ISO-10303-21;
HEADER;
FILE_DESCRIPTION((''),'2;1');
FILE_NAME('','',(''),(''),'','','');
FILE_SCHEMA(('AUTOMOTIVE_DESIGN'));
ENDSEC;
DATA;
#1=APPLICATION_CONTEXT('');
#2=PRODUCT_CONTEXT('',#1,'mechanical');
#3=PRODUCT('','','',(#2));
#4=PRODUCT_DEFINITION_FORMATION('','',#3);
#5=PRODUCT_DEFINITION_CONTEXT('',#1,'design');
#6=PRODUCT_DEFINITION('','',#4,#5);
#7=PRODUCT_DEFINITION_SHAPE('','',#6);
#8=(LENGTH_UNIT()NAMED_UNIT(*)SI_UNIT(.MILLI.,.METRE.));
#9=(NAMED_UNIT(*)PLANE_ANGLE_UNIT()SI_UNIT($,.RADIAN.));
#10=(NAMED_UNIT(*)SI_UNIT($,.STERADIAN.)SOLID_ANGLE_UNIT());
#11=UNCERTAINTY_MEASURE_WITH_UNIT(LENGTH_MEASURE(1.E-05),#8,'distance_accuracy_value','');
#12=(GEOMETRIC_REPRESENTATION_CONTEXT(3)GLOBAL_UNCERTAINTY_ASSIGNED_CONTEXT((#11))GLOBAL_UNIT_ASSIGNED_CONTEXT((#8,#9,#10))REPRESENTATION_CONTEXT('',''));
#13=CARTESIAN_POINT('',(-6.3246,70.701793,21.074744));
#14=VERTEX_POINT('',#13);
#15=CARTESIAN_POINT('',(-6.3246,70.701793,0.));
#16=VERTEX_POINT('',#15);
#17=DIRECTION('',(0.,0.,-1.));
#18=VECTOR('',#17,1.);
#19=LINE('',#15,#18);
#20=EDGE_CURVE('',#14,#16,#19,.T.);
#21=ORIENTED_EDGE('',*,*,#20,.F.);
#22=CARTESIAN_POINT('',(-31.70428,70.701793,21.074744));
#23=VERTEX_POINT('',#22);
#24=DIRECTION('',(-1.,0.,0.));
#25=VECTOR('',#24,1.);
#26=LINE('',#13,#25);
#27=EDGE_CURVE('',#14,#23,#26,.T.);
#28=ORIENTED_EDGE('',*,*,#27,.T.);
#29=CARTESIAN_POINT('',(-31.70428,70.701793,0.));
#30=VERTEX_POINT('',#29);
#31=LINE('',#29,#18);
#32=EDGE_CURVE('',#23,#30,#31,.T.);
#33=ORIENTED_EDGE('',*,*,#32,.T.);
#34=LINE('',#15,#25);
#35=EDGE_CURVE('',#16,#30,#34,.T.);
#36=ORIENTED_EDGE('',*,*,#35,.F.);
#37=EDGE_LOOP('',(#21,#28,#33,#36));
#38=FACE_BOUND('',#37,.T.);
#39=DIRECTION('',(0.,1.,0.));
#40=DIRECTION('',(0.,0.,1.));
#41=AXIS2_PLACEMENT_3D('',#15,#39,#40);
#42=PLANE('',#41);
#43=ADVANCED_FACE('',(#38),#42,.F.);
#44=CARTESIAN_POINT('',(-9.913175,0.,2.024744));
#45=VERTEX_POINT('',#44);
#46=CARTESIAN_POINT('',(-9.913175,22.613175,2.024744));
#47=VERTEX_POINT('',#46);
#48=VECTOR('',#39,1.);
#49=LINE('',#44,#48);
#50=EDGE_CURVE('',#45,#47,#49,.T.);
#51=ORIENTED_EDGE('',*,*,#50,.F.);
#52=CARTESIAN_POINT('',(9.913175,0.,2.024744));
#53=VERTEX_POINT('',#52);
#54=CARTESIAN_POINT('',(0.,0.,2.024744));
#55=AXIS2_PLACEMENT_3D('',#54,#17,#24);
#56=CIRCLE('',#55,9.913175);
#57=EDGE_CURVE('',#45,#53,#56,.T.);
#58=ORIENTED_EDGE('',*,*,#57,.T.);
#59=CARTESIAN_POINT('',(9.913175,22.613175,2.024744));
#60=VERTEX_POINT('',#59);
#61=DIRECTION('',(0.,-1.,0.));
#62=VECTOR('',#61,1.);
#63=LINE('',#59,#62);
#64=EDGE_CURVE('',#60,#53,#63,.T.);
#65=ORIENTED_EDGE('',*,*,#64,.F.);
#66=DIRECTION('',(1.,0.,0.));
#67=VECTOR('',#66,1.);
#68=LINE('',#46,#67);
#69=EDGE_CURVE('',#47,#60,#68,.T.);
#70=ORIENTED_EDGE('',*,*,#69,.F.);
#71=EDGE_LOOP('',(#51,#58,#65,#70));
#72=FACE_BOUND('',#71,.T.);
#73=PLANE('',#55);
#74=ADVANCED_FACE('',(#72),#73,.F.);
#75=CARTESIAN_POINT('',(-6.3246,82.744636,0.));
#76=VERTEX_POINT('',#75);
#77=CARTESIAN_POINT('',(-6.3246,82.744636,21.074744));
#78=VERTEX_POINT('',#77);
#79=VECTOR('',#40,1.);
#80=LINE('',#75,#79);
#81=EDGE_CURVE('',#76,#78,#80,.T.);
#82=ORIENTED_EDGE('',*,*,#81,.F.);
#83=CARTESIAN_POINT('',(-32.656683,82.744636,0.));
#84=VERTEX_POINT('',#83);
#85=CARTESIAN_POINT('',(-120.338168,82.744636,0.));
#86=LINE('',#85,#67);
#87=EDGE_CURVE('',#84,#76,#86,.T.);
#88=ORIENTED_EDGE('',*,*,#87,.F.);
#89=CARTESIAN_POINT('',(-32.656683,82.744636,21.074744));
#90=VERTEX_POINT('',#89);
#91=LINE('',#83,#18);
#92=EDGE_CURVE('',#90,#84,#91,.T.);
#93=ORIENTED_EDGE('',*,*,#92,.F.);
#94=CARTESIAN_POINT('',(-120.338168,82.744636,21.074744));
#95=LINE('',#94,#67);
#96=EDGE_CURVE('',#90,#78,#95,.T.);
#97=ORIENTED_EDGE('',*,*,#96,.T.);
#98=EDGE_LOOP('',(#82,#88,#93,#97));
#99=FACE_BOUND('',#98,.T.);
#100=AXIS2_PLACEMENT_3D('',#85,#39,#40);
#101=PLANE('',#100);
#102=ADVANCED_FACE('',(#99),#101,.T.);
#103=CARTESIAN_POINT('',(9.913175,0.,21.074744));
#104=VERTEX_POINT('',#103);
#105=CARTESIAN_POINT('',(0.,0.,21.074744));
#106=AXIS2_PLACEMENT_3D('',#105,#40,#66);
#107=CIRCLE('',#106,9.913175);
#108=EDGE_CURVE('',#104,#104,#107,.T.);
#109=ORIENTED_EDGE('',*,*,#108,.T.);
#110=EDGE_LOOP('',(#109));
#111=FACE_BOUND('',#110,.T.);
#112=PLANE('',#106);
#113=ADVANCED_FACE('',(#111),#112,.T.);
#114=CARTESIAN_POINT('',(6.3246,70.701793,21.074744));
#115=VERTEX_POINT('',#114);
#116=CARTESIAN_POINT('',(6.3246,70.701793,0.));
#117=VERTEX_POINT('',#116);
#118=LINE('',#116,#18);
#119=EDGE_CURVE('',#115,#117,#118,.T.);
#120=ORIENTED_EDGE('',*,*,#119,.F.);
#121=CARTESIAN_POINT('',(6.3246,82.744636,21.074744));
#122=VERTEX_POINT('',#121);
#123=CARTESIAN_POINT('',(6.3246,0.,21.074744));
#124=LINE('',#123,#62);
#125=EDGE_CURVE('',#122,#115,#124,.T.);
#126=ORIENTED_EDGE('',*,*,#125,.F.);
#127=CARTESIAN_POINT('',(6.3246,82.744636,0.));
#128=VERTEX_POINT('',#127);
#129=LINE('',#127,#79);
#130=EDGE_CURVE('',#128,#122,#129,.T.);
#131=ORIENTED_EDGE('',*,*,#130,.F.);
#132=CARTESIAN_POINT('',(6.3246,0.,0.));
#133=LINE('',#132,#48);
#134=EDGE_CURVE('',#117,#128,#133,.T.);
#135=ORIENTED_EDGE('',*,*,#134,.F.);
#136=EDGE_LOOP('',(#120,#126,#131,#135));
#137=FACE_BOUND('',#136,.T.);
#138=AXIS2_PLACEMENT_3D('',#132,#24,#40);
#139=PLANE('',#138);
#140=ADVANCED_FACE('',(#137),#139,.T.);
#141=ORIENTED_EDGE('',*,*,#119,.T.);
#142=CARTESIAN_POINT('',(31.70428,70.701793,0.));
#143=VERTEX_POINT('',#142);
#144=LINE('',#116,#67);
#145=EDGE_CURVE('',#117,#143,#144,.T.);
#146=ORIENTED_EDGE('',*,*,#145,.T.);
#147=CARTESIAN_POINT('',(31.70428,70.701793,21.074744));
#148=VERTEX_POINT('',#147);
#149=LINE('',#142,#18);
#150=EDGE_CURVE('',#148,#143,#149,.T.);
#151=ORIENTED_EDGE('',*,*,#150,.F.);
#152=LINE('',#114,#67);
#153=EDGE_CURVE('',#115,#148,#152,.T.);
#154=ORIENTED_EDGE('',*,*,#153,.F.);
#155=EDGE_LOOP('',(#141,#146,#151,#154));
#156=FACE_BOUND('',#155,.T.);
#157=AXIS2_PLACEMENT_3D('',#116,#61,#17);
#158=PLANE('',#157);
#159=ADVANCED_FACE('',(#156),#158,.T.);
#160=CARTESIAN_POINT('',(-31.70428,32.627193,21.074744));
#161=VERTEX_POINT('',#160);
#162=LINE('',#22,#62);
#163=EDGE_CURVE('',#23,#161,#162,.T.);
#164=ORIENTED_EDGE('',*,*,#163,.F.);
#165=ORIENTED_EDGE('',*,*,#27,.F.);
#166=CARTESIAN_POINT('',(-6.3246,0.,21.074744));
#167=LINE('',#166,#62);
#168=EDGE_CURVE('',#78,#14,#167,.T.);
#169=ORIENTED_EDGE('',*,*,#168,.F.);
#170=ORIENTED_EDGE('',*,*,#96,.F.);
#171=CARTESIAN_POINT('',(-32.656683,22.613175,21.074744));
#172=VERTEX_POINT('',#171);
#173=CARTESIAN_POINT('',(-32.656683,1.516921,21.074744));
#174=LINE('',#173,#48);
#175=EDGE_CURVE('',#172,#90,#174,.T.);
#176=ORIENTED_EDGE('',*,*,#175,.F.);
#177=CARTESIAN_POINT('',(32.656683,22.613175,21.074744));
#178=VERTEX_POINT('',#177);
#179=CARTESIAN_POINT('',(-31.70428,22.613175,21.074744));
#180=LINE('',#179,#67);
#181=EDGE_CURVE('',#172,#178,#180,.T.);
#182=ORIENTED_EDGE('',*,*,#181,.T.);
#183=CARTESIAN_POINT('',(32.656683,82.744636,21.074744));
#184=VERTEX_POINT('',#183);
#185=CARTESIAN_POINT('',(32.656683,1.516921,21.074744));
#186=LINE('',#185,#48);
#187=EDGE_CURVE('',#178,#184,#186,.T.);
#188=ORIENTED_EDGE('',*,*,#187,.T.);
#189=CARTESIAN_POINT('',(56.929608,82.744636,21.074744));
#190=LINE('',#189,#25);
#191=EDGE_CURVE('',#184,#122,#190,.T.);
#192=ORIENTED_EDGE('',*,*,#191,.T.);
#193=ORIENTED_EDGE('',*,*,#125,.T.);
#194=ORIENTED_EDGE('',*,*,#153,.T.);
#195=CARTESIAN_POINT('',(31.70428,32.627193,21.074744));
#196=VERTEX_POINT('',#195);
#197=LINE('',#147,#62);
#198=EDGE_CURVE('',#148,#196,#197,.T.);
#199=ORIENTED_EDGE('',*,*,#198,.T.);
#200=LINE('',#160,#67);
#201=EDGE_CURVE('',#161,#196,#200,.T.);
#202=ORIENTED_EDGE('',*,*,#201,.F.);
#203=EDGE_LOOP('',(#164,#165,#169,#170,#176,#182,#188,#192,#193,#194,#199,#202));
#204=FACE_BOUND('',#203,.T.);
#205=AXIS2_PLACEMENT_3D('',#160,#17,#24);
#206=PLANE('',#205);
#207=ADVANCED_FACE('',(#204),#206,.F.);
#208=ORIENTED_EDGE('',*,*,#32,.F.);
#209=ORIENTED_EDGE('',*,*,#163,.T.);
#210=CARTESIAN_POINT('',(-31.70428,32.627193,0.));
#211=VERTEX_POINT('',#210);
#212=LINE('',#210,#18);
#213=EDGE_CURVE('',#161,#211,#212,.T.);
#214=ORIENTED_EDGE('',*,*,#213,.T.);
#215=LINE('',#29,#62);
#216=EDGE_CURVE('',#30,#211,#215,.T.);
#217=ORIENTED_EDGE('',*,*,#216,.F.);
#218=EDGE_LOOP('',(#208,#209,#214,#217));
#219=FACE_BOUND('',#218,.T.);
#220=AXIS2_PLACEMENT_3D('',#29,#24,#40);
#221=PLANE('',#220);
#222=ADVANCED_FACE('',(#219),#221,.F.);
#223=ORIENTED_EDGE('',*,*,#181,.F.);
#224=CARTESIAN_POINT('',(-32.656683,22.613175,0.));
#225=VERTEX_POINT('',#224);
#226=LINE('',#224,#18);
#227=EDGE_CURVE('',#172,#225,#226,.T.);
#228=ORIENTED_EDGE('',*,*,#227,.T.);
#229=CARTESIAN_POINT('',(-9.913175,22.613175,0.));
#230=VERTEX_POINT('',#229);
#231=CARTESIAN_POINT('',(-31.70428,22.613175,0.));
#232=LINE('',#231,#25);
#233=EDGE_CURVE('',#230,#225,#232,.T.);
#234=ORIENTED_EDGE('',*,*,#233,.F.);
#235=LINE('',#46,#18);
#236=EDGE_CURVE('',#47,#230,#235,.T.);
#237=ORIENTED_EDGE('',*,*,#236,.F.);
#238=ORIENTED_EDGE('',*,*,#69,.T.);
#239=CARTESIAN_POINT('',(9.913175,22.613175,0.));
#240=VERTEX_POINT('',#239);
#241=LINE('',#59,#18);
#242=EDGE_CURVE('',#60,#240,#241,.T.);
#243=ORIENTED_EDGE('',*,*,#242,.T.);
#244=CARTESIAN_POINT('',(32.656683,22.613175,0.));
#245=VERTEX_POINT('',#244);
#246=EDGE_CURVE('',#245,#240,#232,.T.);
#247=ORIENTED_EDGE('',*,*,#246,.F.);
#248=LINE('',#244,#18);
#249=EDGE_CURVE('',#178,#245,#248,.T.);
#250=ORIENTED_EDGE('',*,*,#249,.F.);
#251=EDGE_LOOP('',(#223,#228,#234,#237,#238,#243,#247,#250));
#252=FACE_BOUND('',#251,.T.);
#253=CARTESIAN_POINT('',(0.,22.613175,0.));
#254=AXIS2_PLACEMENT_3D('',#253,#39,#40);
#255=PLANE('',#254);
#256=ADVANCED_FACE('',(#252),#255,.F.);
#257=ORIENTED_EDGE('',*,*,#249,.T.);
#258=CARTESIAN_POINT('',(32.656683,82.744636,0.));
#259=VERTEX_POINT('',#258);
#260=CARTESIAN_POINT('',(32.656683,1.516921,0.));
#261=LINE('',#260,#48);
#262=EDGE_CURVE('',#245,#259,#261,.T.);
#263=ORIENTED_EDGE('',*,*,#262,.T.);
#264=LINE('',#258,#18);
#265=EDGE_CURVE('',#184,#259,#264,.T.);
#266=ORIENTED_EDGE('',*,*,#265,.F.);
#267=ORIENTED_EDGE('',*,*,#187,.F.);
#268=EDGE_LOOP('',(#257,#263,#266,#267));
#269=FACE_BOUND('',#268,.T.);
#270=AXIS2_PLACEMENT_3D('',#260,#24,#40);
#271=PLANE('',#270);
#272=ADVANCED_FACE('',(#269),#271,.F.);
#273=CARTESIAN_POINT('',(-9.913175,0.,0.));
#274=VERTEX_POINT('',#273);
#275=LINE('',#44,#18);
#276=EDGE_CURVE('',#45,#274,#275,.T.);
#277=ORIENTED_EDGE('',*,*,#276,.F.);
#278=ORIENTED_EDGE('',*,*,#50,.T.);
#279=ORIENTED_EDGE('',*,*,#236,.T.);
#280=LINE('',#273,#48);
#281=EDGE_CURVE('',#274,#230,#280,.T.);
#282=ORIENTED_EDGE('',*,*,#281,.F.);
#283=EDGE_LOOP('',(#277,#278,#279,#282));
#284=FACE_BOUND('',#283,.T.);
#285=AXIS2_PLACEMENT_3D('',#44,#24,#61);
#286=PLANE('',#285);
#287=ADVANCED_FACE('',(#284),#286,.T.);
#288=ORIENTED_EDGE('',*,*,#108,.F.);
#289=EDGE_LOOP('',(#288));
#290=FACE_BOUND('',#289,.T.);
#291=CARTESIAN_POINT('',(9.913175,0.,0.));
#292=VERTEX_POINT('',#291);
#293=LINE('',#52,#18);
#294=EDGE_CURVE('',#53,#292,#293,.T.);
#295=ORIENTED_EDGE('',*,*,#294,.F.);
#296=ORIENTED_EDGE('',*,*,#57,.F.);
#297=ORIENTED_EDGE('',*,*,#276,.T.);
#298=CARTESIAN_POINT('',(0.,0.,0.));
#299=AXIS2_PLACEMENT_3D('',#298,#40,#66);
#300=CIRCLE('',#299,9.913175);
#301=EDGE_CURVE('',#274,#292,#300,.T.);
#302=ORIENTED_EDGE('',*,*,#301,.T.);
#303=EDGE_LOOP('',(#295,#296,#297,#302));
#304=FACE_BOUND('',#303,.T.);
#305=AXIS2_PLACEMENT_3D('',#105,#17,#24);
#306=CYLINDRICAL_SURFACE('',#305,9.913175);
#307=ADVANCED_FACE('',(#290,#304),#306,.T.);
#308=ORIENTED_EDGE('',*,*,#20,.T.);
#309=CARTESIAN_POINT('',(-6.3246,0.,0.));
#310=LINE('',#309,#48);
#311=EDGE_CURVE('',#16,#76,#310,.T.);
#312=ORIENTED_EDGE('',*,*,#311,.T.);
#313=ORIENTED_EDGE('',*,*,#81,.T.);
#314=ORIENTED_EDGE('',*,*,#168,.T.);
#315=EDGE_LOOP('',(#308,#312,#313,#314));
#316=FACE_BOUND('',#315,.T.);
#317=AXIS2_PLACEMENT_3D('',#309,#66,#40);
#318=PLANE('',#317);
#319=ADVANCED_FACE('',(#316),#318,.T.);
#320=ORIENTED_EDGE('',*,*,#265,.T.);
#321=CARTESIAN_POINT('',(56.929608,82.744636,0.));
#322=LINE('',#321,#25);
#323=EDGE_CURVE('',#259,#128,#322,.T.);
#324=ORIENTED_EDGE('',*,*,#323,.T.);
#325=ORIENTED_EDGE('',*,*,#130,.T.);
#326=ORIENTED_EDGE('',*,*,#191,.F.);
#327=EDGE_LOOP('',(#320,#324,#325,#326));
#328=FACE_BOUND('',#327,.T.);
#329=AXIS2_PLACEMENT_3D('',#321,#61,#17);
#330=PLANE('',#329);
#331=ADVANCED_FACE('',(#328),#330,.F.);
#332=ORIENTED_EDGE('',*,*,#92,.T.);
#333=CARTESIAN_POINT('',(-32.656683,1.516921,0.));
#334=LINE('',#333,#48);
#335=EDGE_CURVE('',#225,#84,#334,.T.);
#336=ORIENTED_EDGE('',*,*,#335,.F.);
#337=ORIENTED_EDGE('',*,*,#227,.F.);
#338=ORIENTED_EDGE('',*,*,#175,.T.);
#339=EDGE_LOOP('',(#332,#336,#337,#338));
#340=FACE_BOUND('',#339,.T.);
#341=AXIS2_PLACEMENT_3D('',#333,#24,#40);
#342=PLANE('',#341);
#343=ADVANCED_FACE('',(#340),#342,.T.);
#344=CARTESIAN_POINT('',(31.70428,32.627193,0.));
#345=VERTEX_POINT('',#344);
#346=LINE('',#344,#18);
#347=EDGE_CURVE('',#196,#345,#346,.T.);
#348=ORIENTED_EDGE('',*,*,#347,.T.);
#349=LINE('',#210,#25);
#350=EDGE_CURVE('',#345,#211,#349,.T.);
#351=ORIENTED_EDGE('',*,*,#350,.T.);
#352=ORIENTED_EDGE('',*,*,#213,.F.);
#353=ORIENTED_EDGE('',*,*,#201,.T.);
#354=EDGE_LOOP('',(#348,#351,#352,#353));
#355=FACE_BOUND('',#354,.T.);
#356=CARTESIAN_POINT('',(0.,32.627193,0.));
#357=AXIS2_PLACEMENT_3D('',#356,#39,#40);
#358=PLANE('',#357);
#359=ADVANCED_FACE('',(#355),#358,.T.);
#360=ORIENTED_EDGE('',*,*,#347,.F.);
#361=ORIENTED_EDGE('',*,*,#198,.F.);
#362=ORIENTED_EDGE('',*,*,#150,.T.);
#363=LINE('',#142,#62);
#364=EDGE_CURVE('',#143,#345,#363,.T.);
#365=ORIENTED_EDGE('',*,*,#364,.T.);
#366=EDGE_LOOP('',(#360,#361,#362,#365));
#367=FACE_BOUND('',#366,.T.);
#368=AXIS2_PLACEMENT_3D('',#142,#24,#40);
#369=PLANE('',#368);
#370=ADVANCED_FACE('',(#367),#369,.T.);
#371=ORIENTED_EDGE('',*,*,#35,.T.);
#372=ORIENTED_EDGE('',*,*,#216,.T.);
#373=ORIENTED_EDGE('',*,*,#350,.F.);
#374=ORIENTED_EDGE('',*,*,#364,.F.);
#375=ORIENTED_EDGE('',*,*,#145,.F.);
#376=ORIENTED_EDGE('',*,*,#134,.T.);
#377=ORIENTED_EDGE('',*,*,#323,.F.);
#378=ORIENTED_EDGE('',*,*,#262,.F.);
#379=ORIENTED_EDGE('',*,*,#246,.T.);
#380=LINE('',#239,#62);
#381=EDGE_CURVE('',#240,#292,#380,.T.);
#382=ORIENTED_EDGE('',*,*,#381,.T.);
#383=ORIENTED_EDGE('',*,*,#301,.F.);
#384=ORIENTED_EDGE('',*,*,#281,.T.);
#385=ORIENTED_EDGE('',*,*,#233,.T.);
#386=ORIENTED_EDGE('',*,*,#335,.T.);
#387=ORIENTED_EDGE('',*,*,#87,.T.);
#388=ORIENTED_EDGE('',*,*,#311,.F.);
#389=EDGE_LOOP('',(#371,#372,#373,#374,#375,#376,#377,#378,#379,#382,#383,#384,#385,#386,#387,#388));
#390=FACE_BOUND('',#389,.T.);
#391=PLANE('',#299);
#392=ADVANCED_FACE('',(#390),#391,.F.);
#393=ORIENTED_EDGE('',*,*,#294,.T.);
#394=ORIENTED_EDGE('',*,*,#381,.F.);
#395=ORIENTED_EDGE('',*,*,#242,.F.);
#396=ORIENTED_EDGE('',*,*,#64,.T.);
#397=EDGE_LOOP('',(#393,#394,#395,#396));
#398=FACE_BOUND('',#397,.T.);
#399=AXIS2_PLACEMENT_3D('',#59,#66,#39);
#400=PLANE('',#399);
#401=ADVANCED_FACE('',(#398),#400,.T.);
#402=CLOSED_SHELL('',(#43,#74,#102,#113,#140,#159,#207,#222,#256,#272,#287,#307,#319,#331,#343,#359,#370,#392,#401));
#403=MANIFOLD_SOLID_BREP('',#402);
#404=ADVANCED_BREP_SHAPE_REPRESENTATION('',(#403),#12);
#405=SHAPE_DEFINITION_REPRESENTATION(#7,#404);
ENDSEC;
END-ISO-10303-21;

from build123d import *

# Parameters (mm, degrees)
SKETCH1_R           = 9.913174659
BOSS_EXTRUDE1_DEPTH = 21.074744356
SKETCH2_W           = 19.826349318
SKETCH2_H           = 22.613174659
BOSS_EXTRUDE2_DEPTH = 2.024744356
SKETCH3_W           = 63.40856
SKETCH3_H           = 21.074744356
BOSS_EXTRUDE3_DEPTH = 10.014018179
SKETCH4_W           = 0.952402748
SKETCH4_H           = 21.074744356
BOSS_EXTRUDE4_DEPTH = 38.0746
SKETCH5_W           = 0.952402748
SKETCH5_H           = 21.074744356
BOSS_EXTRUDE5_DEPTH = 10.014018179
SKETCH6_W           = 21.074744356
SKETCH6_H           = 12.042842766
BOSS_EXTRUDE6_DEPTH = 25.37968
SKETCH6_3_W         = 21.074744356
SKETCH6_3_H         = 12.042842766
BOSS_EXTRUDE7_DEPTH = 0.952402748


with BuildPart() as part:
    # Sketch1 → Boss-Extrude1 (new body)
    with BuildSketch(Plane.XY):
        Circle(SKETCH1_R)
    extrude(amount=BOSS_EXTRUDE1_DEPTH)

    # Sketch2 → Boss-Extrude2 (add)
    with BuildSketch(Plane(origin=(0, 0, 0), x_dir=(-1, 0, 0), z_dir=(0, 0, -1))):
        with Locations((0, 11.30658733)):
            Rectangle(SKETCH2_W, SKETCH2_H)
    extrude(amount=-BOSS_EXTRUDE2_DEPTH)

    # Sketch3 → Boss-Extrude3 (add)
    with BuildSketch(Plane(origin=(0, 22.613174659, 0), x_dir=(1, 0, 0), z_dir=(0, 1, 0))):
        with Locations((0, -10.537372178)):
            Rectangle(SKETCH3_W, SKETCH3_H)
    extrude(amount=BOSS_EXTRUDE3_DEPTH)



with BuildPart() as body_2:
    # Sketch4 → Boss-Extrude4 (new body)
    with BuildSketch(Plane(origin=(0, 32.627192838, 0), x_dir=(1, 0, 0), z_dir=(0, 1, 0))):
        with Locations((32.180481374, -10.537372178)):
            Rectangle(SKETCH4_W, SKETCH4_H)
    boss_extrude4 = extrude(amount=BOSS_EXTRUDE4_DEPTH)


with BuildPart() as part_1:
    add(part.part)

    add(body_2.part)  # Boss-Extrude5 merges body 2
    # Sketch5 → Boss-Extrude5 (add)
    with BuildSketch(Plane.XZ.offset(-32.627192838)):
        with Locations((32.180481374, 10.537372178)):
            Rectangle(SKETCH5_W, SKETCH5_H)
    boss_extrude5 = extrude(amount=BOSS_EXTRUDE5_DEPTH)



with BuildPart() as body_2_2:
    # Sketch6 → Boss-Extrude6 (new body)
    with BuildSketch(Plane.ZY.offset(-31.70428)):
        with Locations((10.537372178, 76.723214221)):
            Rectangle(SKETCH6_W, SKETCH6_H)
    boss_extrude6 = extrude(amount=BOSS_EXTRUDE6_DEPTH)


with BuildPart() as part_2:
    add(part_1.part)

    add(body_2_2.part)  # Boss-Extrude7 merges body 2 2
    # Sketch6<3> → Boss-Extrude7 (add)
    with BuildSketch(Plane.ZY.offset(-31.70428)):
        with Locations((10.537372178, 76.723214221)):
            Rectangle(SKETCH6_3_W, SKETCH6_3_H)
    boss_extrude7 = extrude(amount=-BOSS_EXTRUDE7_DEPTH)

    # Mirror4: Boss-Extrude5 across plane
    add(boss_extrude5.mirror(Plane(origin=(0, 0, 0), x_dir=(0, 0, 1), z_dir=(1, 0, 0))))

    # Mirror5: Boss-Extrude4 across plane
    add(boss_extrude4.mirror(Plane(origin=(0, 0, 0), x_dir=(0, 0, 1), z_dir=(1, 0, 0))))

    # Mirror8: Boss-Extrude7 across plane
    add(boss_extrude7.mirror(Plane(origin=(0, 0, 0), x_dir=(0, 0, 1), z_dir=(1, 0, 0))))

    # Mirror9: Boss-Extrude6 across plane
    add(boss_extrude6.mirror(Plane(origin=(0, 0, 0), x_dir=(0, 0, 1), z_dir=(1, 0, 0))))


solid = part_2.part
